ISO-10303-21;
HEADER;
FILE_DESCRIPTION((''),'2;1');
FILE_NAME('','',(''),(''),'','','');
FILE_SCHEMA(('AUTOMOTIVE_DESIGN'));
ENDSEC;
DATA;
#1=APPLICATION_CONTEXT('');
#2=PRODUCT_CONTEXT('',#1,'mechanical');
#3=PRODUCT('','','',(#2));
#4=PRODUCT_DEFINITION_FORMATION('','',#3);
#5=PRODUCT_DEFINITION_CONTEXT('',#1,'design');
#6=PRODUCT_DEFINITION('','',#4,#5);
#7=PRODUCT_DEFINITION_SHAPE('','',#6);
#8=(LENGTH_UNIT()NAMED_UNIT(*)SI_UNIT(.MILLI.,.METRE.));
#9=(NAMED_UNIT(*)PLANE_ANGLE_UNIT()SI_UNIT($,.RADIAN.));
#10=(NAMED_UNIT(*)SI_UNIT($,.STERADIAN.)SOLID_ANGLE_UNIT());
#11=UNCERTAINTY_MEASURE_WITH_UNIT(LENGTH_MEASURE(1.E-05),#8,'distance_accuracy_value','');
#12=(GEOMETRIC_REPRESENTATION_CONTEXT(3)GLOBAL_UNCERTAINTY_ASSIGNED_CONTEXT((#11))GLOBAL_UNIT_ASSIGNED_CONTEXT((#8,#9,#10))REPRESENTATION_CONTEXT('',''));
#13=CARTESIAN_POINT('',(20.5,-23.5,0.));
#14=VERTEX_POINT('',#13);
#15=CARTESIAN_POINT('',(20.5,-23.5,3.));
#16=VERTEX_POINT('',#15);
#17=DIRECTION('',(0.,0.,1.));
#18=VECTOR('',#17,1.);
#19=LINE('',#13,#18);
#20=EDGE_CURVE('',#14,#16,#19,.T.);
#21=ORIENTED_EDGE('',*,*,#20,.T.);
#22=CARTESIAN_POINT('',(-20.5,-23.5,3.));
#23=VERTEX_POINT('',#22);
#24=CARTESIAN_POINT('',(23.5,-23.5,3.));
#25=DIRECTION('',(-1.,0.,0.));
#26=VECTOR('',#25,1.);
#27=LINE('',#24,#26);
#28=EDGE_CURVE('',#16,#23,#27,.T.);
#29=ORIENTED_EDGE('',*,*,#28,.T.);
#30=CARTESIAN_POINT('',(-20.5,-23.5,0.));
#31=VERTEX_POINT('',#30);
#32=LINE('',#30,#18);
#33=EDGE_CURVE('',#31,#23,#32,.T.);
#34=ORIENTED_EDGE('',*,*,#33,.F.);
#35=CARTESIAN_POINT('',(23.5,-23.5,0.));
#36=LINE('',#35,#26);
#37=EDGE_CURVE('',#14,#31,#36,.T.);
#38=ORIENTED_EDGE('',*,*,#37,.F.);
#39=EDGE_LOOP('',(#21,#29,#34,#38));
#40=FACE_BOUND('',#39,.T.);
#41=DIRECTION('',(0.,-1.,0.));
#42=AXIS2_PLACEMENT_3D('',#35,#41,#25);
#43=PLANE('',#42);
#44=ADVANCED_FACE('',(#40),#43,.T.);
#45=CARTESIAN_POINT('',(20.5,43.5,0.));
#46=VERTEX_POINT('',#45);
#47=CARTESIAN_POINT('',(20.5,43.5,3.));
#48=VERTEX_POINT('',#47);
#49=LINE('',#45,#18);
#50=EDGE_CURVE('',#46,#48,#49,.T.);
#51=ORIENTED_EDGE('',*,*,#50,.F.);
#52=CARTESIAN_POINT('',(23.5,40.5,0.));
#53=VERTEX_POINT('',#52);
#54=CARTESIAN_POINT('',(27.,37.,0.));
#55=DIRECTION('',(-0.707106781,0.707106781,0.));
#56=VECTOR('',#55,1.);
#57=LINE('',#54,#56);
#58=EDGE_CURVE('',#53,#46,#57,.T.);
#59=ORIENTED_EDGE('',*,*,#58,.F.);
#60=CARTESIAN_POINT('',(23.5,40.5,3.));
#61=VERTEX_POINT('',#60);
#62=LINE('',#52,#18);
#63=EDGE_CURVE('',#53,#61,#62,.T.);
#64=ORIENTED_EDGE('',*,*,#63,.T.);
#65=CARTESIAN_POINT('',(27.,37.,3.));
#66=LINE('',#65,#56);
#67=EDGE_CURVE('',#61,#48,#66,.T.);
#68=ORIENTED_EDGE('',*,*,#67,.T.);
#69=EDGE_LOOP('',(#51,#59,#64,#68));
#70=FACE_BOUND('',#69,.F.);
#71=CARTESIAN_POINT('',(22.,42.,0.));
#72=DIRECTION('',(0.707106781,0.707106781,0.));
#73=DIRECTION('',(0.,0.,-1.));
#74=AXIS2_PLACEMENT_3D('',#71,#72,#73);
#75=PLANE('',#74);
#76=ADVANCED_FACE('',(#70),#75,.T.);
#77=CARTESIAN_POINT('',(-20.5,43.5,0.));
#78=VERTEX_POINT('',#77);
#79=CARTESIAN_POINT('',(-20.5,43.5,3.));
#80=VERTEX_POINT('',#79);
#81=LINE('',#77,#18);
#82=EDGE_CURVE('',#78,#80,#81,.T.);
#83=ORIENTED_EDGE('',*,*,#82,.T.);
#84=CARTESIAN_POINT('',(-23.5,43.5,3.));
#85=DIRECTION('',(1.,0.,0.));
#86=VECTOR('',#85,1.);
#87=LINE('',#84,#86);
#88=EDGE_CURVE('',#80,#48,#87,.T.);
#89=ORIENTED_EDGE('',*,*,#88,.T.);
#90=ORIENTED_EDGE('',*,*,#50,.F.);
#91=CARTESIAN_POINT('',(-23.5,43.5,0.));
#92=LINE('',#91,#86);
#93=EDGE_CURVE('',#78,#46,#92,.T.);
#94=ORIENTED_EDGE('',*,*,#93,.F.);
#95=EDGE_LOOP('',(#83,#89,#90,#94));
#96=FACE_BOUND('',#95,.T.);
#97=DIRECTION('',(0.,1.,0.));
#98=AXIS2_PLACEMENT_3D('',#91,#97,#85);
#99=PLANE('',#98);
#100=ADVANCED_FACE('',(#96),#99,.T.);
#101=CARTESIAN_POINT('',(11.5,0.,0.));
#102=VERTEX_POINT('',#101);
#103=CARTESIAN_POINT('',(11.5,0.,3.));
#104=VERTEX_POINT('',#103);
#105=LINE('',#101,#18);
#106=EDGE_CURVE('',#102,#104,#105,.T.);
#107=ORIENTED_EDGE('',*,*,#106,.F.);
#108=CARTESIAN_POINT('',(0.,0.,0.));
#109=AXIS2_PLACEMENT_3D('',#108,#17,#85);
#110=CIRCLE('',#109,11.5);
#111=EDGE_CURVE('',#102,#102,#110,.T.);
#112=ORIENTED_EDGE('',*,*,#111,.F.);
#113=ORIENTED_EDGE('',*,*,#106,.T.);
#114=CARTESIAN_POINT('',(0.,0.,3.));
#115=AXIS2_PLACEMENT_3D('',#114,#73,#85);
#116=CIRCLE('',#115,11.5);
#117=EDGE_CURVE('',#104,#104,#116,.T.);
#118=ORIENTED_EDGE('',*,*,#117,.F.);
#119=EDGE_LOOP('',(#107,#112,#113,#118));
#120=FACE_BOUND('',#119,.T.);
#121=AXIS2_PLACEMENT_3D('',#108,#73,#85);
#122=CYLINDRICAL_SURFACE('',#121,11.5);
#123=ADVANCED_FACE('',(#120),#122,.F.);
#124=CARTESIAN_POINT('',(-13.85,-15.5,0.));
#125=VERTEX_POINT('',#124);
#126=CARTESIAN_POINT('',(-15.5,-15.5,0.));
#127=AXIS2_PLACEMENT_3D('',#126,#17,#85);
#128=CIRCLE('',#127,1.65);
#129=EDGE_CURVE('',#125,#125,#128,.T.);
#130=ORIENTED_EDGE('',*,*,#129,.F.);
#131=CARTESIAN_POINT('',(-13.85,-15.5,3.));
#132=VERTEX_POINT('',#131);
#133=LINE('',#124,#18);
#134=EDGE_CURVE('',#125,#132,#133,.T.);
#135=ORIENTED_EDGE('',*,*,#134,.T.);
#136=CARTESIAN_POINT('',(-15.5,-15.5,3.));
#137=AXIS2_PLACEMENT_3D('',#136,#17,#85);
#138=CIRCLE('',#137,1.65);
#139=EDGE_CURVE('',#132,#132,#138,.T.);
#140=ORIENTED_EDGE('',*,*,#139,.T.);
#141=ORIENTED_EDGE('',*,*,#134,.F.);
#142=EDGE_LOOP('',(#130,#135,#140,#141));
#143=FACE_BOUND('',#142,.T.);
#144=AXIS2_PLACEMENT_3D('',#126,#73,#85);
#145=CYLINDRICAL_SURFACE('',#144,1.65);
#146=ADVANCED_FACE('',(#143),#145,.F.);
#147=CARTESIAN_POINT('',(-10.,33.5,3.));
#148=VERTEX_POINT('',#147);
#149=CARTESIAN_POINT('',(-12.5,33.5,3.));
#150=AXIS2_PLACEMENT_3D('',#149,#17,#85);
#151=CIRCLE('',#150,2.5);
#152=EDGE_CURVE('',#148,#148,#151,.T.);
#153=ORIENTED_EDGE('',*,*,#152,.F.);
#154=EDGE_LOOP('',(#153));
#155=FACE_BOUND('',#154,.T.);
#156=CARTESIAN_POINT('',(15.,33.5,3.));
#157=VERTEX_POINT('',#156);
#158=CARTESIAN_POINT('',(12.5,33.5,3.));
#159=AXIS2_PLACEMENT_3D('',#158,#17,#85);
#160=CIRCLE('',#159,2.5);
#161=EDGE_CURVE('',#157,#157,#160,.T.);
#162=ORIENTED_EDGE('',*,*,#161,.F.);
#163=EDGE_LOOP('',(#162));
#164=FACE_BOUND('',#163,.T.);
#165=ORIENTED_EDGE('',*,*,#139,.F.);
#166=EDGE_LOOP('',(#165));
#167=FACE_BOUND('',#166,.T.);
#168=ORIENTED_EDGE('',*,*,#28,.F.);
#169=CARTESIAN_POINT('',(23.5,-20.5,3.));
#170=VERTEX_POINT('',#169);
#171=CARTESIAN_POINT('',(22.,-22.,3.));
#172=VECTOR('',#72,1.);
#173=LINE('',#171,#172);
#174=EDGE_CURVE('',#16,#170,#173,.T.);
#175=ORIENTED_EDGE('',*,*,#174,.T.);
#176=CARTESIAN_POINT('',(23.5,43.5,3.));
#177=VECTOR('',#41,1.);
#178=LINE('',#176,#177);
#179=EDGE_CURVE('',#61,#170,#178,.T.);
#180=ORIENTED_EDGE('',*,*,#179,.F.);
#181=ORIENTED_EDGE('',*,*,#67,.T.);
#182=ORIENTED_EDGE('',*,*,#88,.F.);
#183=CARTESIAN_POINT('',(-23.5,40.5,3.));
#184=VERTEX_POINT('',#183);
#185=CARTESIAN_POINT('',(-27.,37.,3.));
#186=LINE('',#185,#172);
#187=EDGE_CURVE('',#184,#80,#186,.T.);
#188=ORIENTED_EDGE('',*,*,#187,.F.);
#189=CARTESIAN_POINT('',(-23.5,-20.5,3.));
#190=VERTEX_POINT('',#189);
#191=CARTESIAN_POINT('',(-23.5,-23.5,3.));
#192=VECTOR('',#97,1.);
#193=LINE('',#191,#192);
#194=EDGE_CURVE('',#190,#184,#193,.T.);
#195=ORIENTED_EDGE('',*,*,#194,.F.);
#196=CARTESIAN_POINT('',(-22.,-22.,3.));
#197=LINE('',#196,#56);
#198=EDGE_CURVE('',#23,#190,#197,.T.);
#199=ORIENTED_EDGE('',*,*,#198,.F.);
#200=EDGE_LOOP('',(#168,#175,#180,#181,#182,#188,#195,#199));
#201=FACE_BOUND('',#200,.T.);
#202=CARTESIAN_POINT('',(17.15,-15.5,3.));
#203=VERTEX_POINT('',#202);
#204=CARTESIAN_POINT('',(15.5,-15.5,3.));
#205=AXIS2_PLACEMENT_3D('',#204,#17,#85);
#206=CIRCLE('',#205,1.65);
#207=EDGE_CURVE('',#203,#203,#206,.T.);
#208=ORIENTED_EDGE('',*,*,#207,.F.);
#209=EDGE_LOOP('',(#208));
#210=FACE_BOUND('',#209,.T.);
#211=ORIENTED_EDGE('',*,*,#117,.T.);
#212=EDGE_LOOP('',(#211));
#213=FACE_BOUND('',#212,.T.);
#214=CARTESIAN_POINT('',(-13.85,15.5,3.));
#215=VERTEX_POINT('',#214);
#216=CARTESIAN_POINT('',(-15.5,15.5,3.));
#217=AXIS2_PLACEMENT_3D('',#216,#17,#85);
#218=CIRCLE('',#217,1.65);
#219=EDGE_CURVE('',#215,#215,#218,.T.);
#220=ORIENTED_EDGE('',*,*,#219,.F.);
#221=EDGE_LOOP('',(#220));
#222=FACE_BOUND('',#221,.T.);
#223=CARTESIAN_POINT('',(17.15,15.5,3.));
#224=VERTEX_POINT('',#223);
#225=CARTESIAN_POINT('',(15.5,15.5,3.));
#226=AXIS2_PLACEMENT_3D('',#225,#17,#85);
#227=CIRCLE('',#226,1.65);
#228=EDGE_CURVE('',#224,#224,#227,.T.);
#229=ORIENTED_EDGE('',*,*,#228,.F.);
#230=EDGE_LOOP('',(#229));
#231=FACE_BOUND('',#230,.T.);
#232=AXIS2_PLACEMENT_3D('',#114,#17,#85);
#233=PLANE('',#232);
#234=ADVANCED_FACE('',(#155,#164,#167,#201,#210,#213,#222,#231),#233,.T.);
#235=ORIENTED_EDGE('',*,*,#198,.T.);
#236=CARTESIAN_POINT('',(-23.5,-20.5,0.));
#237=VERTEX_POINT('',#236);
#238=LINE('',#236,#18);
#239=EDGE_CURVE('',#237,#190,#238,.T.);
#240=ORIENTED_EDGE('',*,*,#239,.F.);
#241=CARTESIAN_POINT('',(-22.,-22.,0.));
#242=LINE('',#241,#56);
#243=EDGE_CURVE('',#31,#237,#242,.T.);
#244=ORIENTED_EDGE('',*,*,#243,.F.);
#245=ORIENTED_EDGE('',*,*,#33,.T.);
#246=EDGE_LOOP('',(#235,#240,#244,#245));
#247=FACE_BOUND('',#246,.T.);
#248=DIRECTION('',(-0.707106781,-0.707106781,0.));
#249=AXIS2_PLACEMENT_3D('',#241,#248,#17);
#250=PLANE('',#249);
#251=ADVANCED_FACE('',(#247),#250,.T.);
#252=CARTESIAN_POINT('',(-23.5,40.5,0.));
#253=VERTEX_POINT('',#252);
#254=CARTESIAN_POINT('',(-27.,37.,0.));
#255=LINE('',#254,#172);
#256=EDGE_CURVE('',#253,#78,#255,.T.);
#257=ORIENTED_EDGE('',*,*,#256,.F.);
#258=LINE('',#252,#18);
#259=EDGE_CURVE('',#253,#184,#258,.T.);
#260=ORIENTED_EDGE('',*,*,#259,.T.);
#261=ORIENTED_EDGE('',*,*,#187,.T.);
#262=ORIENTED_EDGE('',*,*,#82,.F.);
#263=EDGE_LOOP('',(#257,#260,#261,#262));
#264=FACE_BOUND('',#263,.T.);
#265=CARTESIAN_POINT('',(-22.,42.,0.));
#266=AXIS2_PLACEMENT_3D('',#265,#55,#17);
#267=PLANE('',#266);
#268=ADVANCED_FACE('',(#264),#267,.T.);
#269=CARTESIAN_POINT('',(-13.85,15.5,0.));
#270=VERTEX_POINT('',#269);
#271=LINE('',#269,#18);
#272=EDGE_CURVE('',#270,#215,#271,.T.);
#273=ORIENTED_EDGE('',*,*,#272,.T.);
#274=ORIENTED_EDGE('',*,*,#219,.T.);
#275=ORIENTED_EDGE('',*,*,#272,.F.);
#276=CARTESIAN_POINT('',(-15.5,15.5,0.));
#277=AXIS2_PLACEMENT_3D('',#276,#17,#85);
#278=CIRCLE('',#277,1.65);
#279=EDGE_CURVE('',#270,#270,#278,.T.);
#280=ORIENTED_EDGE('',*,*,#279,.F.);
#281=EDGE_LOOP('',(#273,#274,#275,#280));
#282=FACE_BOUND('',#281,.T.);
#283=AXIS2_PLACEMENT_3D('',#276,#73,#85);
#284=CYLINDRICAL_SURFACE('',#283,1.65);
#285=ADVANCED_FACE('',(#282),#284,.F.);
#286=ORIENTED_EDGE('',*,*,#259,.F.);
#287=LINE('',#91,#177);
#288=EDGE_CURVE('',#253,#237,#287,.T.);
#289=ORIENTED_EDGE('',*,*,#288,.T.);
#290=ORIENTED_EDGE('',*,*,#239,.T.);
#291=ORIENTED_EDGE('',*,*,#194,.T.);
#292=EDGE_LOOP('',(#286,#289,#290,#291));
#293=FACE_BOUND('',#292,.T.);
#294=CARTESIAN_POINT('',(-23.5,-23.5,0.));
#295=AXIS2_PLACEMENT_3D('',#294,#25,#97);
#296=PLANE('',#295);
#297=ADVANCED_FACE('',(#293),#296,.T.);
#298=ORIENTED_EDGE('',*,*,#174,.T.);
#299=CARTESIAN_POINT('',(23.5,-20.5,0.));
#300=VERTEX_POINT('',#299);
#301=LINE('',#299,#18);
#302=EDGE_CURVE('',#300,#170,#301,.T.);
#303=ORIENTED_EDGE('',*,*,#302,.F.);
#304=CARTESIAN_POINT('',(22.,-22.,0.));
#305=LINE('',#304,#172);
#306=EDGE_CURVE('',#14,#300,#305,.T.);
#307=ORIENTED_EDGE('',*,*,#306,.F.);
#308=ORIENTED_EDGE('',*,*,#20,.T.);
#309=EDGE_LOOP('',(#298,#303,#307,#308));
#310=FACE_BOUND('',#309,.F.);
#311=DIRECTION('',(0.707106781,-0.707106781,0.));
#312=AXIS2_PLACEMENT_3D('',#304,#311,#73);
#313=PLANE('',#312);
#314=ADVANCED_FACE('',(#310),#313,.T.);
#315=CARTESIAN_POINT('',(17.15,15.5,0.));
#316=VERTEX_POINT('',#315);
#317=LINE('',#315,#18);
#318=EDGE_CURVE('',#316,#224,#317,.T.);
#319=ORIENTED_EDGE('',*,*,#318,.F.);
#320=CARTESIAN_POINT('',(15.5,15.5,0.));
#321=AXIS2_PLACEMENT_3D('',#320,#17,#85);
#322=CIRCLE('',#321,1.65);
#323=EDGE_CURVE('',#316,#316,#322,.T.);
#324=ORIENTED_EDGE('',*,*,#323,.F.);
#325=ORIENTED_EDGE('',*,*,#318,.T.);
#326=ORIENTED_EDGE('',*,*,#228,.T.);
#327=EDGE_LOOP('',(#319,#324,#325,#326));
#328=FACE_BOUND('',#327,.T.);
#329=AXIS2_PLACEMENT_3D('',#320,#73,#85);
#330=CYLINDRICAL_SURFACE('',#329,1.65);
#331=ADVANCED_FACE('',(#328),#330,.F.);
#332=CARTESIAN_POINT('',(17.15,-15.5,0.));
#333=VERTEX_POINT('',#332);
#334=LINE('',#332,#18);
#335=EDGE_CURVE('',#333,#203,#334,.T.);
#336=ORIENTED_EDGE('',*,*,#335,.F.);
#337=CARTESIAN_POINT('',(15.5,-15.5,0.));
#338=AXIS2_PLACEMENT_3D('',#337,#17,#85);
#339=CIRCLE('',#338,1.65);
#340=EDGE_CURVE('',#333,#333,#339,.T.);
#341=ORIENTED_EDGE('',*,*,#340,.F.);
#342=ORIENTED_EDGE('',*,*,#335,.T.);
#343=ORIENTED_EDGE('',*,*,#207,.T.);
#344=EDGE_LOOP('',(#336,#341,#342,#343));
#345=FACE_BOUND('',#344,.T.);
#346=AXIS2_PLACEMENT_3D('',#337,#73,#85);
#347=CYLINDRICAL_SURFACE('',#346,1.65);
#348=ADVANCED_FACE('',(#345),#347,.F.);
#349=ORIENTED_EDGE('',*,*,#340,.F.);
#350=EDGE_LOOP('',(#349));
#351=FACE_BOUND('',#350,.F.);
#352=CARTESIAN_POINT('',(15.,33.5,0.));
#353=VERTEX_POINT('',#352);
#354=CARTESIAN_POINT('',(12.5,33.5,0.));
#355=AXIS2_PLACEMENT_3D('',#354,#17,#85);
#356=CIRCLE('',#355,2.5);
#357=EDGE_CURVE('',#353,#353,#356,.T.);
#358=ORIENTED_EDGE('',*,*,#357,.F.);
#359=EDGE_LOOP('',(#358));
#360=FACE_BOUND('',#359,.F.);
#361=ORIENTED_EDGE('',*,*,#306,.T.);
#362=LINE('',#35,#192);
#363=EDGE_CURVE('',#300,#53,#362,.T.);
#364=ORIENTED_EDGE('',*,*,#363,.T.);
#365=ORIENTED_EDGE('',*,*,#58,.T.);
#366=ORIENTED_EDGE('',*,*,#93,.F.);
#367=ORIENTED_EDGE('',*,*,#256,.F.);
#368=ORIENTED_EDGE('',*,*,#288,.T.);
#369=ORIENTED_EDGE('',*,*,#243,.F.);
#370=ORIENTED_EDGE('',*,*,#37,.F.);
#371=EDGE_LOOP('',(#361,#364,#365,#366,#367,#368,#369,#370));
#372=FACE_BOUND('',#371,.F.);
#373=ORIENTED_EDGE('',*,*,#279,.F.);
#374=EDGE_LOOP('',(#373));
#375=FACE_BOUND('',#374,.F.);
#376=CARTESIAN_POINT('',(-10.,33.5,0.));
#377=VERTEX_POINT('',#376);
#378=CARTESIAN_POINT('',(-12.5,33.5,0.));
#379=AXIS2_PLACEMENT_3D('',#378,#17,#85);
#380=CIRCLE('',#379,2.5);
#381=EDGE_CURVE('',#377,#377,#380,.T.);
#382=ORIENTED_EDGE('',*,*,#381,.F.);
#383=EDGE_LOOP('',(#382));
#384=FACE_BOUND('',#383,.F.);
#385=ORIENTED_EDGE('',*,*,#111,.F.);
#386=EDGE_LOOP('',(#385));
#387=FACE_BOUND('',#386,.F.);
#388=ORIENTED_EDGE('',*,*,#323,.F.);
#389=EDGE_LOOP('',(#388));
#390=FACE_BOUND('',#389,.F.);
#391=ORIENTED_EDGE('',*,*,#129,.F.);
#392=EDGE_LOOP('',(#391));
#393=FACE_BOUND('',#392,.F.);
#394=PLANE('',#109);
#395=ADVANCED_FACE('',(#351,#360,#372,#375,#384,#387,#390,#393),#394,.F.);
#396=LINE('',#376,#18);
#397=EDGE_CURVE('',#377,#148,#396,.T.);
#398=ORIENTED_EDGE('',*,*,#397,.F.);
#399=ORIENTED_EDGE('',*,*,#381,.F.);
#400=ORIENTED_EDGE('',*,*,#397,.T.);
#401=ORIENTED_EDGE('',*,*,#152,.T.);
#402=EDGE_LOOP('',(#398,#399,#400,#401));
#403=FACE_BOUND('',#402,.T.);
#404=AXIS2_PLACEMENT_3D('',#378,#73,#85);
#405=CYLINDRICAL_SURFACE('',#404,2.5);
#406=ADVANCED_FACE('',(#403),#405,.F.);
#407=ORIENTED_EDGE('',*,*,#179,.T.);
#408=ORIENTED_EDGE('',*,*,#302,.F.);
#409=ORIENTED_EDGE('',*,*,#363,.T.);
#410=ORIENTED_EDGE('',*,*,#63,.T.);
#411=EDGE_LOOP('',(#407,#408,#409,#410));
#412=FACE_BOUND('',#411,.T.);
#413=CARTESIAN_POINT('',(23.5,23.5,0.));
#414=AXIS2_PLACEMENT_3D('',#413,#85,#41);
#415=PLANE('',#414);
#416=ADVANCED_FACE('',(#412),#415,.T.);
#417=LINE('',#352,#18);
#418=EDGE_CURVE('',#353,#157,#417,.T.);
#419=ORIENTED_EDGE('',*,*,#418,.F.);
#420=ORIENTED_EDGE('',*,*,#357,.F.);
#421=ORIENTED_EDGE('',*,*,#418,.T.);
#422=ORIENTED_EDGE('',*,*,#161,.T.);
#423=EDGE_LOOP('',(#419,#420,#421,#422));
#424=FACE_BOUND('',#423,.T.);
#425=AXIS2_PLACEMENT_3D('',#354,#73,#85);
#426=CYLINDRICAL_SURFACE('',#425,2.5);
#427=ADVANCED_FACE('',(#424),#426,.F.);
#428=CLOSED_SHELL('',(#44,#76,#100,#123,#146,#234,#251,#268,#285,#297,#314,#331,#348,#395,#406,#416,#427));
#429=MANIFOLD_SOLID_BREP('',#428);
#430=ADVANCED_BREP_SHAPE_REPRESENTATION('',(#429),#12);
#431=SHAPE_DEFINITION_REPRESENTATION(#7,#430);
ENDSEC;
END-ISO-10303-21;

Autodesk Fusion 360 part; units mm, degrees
sketch "Skizze1" plane through (0, 0, 0) normal (0, 0, 1) x (1, 0, 0)
  circle A0 centre (0, 0) radius 11.5
  line L0 (23.5, -23.5) -> (-23.5, -23.5)
  line L1 (-23.5, -23.5) -> (-23.5, 23.5)
  line L2 (-23.5, 23.5) -> (23.5, 23.5)
  line L3 (23.5, 23.5) -> (23.5, -23.5)
  line L4 (23.5, -23.5) -> (-23.5, 23.5) construction
  line L5 (-23.5, -23.5) -> (23.5, 23.5) construction
  line L6 (21.5, -21.5) -> (-21.5, -21.5) construction
  line L7 (-21.5, -21.5) -> (-21.5, 21.5) construction
  line L8 (-21.5, 21.5) -> (21.5, 21.5) construction
  line L9 (21.5, 21.5) -> (21.5, -21.5) construction
  line L10 (21.5, -21.5) -> (-21.5, 21.5) construction
  line L11 (-21.5, -21.5) -> (21.5, 21.5) construction
  line L12 (15.5, -15.5) -> (-15.5, -15.5) construction
  line L13 (-15.5, -15.5) -> (-15.5, 15.5) construction
  line L14 (-15.5, 15.5) -> (15.5, 15.5) construction
  line L15 (15.5, 15.5) -> (15.5, -15.5) construction
  line L16 (15.5, -15.5) -> (-15.5, 15.5) construction
  line L17 (-15.5, -15.5) -> (15.5, 15.5) construction
  circle A1 centre (-15.5, 15.5) radius 1.65
  circle A2 centre (15.5, 15.5) radius 1.65
  circle A3 centre (15.5, -15.5) radius 1.65
  circle A4 centre (-15.5, -15.5) radius 1.65
  line L18 (-23.5, 23.5) -> (-23.5, 43.5)
  line L19 (-23.5, 43.5) -> (23.5, 43.5)
  line L20 (23.5, 43.5) -> (23.5, 23.5)
  line L21 (-23.5, 33.5) -> (23.5, 33.5) construction
  circle A5 centre (-12.5, 33.5) radius 2.5
  circle A6 centre (12.5, 33.5) radius 2.5
  line L22 (0, 1.75) -> (0, 22.5)
  dimension "d120" = 43
  dimension "d121" = 23
  dimension "d122" = 2
  dimension "d123" = 31
  dimension "d124" = 3.3
  dimension "d125" = 2
  dimension "d126" = 20
  dimension "d127" = 5
  dimension "d128" = 25
extrude "Extrusion1" add sketch "Skizze1" along normal blind 3
chamfer "Fase1" distance 3 angle 45 4 edges at (-23.5, -23.5, 1.5) (23.5, -23.5, 1.5) (23.5, 43.5, 1.5) (-23.5, 43.5, 1.5)
equation "frame_outer_x = 400 mm"
equation "frame_outer_y = 400 mm"
equation "frame_outer_z = 600 mm"
equation "M3_hole_dia = 3.5 mm"
equation "M4_hole_dia = 4.5 mm"
equation "M5_hole_dia = 5.2 mm"
equation "M6_hole_dia = 6.2 mm"
equation "M3_hole_dia_thread = 2.6 mm"
equation "M4_hole_dia_thread = 3.4 mm"
equation "M5_hole_dia_thread = 4.3 mm"
equation "M6_hole_dia_thread = 5.2 mm"
equation "M3_head_dia = 6 mm"
equation "M4_head_dia = 7 mm"
equation "M5_head_dia = 9 mm"
equation "M6_head_dia = 11 mm"
equation "M3_head_height = 3 mm"
equation "M4_head_height = 4 mm"
equation "M5_head_height = 5 mm"
equation "M6_head_height = 6 mm"
equation "nema_17_outer_XY = 43 mm"
equation "nema_17_outer_z = 40 mm"
equation "nema_17_screw_distance = 31 mm"
equation "nema_17_center_ring_dia = 23 mm"
equation "nema_17_center_ring_height = 2 mm"
equation "nema_17_shaft_length = 24 mm"
equation "nema_17_shaft_dia = 5 mm"
equation "lm8uu_outer_dia = 15 mm"
equation "lm8uu_length = 24 mm"
equation "lm8uu_nut_distance_cc = 16.4 mm"
equation "scs8uu_lenght = 30 mm"
equation "scs8uu_width = 34.4 mm"
equation "scs8uu_screw_distance_cc_1 = 18 mm"
equation "scs8uu_screw_distance_cc_2 = 24 mm"
equation "scs8uu_base_road_cc = 11 mm"
equation "scs8uu_screw_hole_dia = 4 mm"
equation "lmk8luu_length = 45 mm"
equation "lmk8luu_head_xy = 25 mm"
equation "lmk8luu_body_dia = 15 mm"
equation "lmk8luu_circle_holes_dia = 24 mm"
equation "lmk8luu_screw_hole_dia = 3 mm"
equation "kp08_screw_distance_cc = 42 mm"
equation "kp08_base_road_cc = 15 mm"
equation "kp08_screw_hole_dia = 4 mm"
equation "sk8_screw_distance_cc = 32 mm"
equation "sk8_base_road_cc = 20 mm"
equation "sk8_screw_hole_dia = 5 mm"
equation "trapezoidal_screw_z_length = 300 mm"
equation "coupler_5x8_length = 25 mm"
equation "coupler_5x8_outer_dia = 19 mm"
equation "t8_nut_outer_dia_1 = 22 mm"
equation "t8_nut_outer_dia_2 = 10.2 mm"
equation "t8_nut_screw_hole_dia = 3 mm"
equation "t8_nut_screw_circle_holes_dia = 16 mm"
equation "heatbed_outer_x = 220 mm"
equation "heatbed_outer_y = 220 mm"
equation "heatbed_x_srew_cc = 210 mm"
equation "heatbed_y_srew_cc = 210 mm"
equation "x_rods_distance_cc = 40 mm"
equation "y_rods_distance_cc = 140 mm"
equation "z_rods_distance_cc = 300 mm"
equation "steel_rods_dia = 8.2 mm"
equation "x_profile_distance_cc = 60 mm"
equation "y_profile_distance_cc = 160 mm"
equation "z_profile_distance_cc = 300 mm"
equation "x_profile_length = 300 mm"
equation "y_profile_length = 300 mm"
equation "z_profile_length = 300 mm"
equation "y_profile_xy = 20 mm"
equation "z_profil_x = 20 mm"
equation "z_profil_y = 40 mm"
equation "profil_nut_width = 6 mm"
equation "profil_nut_depth = 5 mm"
equation "pulley_gt2_20t_outer_dia = 16 mm"
equation "pulley_gt2_20t_inner_dia = 12.2 mm"
equation "pulley_gt2_16t_outer_dia = 13.8 mm"
equation "pulley_gt2_16t_inner_dia = 9.4 mm"
equation "e3d_heigh_all = 62.3 mm"
equation "e3d_mounting_dia_inner = 12 mm"
equation "e3d_mounting_dia_outer = 16 mm"
equation "e3d_mounting_height = 6 mm"
equation "e3d_upper_mount_height = 3.7 mm"
equation "e3d_distance_nozzle_mounting_center = e3d_heigh_all - ( e3d_mounting_height / 2 ) - e3d_upper_mount_height"
equation "f624_zz_outer_dia = 15 mm"
equation "f624_zz_inner_dia = 13 mm"
equation "f624_zz_hole_dia = 4 mm"
equation "f623_zz_outer_dia = 11.5 mm"
equation "f623_zz_inner_dia = 10 mm"
equation "f623_zz_hole_dia = 3 mm"
equation "fan_30x30_xy_outside = 30 mm"
equation "fan_30x30_xy_screw_distance = 24 mm"
equation "fan_30x30_fan_opening_dia = 28 mm"
equation "fan_40x40_xy_outside = 40 mm"
equation "fan_40x40_xy_screw_distance = 32 mm"
equation "fan_40x40_fan_opening_dia = 38 mm"
equation "fan_50x50_xy_outside = 50 mm"
equation "fan_50x50_xy_screw_distance = 40 mm"
equation "fan_50x50_fan_opening_dia = 47 mm"
equation "fan_60x60_xy_outside = 60 mm"
equation "fan_60x60_xy_screw_distance = 51 mm"
equation "fan_60x60_fan_opening_dia = 57 mm"
equation "fan_12x120_xy_outside = 120 mm"
equation "fan_12x120_xy_screw_distance = 105 mm"
equation "fan_12x120_fan_opening_dia = 116 mm"
equation "d120 = nema_17_outer_XY"
equation "d121 = nema_17_center_ring_dia"
equation "d123 = nema_17_screw_distance"
